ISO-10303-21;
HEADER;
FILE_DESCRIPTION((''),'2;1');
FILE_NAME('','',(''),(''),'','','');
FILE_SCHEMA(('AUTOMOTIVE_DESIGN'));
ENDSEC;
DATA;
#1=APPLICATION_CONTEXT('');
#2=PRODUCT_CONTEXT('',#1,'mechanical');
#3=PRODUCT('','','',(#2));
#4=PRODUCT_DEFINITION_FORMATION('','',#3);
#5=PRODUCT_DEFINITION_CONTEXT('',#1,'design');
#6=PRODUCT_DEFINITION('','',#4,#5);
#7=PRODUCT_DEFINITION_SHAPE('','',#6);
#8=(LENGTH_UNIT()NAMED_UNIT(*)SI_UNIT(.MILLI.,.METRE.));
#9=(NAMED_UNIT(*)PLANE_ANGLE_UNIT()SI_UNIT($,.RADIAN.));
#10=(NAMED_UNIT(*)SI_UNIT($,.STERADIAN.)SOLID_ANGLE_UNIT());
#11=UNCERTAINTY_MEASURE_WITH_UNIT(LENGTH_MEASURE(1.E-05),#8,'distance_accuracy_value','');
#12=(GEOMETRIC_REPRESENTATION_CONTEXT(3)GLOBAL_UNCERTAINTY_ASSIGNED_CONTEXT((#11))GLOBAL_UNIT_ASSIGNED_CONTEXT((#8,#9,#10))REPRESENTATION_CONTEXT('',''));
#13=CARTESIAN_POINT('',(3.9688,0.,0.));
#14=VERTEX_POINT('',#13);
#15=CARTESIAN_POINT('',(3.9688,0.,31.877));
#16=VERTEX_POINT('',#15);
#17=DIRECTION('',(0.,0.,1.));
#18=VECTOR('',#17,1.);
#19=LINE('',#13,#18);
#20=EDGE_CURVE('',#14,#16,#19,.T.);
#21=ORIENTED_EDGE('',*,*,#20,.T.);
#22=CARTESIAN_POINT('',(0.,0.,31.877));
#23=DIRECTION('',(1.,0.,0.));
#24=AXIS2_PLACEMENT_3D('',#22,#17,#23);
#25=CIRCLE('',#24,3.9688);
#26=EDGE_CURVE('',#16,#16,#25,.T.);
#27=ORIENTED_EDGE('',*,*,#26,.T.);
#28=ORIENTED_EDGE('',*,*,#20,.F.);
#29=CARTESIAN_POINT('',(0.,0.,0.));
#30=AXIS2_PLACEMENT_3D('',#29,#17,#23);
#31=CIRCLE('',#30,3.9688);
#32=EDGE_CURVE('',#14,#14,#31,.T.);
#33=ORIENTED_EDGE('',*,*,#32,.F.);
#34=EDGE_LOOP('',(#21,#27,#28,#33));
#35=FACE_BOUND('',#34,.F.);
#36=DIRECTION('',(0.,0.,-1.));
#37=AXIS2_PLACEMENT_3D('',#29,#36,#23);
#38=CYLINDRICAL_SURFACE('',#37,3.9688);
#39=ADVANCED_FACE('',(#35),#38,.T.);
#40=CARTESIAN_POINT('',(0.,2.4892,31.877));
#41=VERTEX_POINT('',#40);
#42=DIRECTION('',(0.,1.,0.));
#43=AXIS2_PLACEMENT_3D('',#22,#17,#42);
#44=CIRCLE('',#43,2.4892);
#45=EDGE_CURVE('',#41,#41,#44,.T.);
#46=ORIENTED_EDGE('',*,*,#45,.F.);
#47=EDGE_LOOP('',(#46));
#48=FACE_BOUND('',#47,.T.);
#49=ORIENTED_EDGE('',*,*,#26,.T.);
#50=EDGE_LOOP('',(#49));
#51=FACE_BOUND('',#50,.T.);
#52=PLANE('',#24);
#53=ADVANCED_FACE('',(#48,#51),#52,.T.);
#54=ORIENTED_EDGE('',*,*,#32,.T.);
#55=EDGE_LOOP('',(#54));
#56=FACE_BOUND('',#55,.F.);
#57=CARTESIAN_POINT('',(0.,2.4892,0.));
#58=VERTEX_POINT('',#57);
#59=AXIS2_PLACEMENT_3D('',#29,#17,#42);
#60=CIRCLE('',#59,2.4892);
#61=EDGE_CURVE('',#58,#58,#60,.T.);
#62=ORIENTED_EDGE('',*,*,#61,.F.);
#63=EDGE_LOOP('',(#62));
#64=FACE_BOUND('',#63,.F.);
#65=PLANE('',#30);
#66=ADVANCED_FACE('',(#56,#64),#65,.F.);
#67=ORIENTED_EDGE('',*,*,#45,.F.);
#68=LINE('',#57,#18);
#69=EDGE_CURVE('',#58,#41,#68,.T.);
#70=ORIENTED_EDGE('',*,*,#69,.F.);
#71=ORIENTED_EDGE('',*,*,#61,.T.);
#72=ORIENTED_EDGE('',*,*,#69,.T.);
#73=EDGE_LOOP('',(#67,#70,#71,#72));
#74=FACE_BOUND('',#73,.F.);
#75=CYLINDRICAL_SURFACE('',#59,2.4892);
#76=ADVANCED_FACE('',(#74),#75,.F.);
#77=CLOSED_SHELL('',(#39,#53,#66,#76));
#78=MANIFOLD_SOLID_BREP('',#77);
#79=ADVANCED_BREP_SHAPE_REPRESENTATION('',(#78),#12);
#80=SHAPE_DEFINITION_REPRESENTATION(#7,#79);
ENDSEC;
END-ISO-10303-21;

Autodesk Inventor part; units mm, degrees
ref_plane "YZ Plane" through (0, 0, 0) normal (1, 0, 0) x (0, 1, 0)
ref_plane "XZ Plane" through (0, 0, 0) normal (0, 1, 0) x (-1, 0, 0)
ref_plane "XY Plane" through (0, 0, 0) normal (0, 0, 1) x (1, 0, 0)
sketch "Sketch1" plane through (0, 0, 0) normal (0, 0, 1) x (1, 0, 0)
  circle A0 centre (0, 0) radius 3.9688
  dimension "d0" = 7.9375
extrude "Extrusion1" add sketch "Sketch1" along normal blind 31.877
hole "Hole1" at (0, 0, 0) direction (0, 0, 1) diameter 4.9784 end through all clearance for "Socket Head Cap Screw" size "#10" standard "Ansi Unified Screw Threads"
properties part number "Main Connecting Standoff"
